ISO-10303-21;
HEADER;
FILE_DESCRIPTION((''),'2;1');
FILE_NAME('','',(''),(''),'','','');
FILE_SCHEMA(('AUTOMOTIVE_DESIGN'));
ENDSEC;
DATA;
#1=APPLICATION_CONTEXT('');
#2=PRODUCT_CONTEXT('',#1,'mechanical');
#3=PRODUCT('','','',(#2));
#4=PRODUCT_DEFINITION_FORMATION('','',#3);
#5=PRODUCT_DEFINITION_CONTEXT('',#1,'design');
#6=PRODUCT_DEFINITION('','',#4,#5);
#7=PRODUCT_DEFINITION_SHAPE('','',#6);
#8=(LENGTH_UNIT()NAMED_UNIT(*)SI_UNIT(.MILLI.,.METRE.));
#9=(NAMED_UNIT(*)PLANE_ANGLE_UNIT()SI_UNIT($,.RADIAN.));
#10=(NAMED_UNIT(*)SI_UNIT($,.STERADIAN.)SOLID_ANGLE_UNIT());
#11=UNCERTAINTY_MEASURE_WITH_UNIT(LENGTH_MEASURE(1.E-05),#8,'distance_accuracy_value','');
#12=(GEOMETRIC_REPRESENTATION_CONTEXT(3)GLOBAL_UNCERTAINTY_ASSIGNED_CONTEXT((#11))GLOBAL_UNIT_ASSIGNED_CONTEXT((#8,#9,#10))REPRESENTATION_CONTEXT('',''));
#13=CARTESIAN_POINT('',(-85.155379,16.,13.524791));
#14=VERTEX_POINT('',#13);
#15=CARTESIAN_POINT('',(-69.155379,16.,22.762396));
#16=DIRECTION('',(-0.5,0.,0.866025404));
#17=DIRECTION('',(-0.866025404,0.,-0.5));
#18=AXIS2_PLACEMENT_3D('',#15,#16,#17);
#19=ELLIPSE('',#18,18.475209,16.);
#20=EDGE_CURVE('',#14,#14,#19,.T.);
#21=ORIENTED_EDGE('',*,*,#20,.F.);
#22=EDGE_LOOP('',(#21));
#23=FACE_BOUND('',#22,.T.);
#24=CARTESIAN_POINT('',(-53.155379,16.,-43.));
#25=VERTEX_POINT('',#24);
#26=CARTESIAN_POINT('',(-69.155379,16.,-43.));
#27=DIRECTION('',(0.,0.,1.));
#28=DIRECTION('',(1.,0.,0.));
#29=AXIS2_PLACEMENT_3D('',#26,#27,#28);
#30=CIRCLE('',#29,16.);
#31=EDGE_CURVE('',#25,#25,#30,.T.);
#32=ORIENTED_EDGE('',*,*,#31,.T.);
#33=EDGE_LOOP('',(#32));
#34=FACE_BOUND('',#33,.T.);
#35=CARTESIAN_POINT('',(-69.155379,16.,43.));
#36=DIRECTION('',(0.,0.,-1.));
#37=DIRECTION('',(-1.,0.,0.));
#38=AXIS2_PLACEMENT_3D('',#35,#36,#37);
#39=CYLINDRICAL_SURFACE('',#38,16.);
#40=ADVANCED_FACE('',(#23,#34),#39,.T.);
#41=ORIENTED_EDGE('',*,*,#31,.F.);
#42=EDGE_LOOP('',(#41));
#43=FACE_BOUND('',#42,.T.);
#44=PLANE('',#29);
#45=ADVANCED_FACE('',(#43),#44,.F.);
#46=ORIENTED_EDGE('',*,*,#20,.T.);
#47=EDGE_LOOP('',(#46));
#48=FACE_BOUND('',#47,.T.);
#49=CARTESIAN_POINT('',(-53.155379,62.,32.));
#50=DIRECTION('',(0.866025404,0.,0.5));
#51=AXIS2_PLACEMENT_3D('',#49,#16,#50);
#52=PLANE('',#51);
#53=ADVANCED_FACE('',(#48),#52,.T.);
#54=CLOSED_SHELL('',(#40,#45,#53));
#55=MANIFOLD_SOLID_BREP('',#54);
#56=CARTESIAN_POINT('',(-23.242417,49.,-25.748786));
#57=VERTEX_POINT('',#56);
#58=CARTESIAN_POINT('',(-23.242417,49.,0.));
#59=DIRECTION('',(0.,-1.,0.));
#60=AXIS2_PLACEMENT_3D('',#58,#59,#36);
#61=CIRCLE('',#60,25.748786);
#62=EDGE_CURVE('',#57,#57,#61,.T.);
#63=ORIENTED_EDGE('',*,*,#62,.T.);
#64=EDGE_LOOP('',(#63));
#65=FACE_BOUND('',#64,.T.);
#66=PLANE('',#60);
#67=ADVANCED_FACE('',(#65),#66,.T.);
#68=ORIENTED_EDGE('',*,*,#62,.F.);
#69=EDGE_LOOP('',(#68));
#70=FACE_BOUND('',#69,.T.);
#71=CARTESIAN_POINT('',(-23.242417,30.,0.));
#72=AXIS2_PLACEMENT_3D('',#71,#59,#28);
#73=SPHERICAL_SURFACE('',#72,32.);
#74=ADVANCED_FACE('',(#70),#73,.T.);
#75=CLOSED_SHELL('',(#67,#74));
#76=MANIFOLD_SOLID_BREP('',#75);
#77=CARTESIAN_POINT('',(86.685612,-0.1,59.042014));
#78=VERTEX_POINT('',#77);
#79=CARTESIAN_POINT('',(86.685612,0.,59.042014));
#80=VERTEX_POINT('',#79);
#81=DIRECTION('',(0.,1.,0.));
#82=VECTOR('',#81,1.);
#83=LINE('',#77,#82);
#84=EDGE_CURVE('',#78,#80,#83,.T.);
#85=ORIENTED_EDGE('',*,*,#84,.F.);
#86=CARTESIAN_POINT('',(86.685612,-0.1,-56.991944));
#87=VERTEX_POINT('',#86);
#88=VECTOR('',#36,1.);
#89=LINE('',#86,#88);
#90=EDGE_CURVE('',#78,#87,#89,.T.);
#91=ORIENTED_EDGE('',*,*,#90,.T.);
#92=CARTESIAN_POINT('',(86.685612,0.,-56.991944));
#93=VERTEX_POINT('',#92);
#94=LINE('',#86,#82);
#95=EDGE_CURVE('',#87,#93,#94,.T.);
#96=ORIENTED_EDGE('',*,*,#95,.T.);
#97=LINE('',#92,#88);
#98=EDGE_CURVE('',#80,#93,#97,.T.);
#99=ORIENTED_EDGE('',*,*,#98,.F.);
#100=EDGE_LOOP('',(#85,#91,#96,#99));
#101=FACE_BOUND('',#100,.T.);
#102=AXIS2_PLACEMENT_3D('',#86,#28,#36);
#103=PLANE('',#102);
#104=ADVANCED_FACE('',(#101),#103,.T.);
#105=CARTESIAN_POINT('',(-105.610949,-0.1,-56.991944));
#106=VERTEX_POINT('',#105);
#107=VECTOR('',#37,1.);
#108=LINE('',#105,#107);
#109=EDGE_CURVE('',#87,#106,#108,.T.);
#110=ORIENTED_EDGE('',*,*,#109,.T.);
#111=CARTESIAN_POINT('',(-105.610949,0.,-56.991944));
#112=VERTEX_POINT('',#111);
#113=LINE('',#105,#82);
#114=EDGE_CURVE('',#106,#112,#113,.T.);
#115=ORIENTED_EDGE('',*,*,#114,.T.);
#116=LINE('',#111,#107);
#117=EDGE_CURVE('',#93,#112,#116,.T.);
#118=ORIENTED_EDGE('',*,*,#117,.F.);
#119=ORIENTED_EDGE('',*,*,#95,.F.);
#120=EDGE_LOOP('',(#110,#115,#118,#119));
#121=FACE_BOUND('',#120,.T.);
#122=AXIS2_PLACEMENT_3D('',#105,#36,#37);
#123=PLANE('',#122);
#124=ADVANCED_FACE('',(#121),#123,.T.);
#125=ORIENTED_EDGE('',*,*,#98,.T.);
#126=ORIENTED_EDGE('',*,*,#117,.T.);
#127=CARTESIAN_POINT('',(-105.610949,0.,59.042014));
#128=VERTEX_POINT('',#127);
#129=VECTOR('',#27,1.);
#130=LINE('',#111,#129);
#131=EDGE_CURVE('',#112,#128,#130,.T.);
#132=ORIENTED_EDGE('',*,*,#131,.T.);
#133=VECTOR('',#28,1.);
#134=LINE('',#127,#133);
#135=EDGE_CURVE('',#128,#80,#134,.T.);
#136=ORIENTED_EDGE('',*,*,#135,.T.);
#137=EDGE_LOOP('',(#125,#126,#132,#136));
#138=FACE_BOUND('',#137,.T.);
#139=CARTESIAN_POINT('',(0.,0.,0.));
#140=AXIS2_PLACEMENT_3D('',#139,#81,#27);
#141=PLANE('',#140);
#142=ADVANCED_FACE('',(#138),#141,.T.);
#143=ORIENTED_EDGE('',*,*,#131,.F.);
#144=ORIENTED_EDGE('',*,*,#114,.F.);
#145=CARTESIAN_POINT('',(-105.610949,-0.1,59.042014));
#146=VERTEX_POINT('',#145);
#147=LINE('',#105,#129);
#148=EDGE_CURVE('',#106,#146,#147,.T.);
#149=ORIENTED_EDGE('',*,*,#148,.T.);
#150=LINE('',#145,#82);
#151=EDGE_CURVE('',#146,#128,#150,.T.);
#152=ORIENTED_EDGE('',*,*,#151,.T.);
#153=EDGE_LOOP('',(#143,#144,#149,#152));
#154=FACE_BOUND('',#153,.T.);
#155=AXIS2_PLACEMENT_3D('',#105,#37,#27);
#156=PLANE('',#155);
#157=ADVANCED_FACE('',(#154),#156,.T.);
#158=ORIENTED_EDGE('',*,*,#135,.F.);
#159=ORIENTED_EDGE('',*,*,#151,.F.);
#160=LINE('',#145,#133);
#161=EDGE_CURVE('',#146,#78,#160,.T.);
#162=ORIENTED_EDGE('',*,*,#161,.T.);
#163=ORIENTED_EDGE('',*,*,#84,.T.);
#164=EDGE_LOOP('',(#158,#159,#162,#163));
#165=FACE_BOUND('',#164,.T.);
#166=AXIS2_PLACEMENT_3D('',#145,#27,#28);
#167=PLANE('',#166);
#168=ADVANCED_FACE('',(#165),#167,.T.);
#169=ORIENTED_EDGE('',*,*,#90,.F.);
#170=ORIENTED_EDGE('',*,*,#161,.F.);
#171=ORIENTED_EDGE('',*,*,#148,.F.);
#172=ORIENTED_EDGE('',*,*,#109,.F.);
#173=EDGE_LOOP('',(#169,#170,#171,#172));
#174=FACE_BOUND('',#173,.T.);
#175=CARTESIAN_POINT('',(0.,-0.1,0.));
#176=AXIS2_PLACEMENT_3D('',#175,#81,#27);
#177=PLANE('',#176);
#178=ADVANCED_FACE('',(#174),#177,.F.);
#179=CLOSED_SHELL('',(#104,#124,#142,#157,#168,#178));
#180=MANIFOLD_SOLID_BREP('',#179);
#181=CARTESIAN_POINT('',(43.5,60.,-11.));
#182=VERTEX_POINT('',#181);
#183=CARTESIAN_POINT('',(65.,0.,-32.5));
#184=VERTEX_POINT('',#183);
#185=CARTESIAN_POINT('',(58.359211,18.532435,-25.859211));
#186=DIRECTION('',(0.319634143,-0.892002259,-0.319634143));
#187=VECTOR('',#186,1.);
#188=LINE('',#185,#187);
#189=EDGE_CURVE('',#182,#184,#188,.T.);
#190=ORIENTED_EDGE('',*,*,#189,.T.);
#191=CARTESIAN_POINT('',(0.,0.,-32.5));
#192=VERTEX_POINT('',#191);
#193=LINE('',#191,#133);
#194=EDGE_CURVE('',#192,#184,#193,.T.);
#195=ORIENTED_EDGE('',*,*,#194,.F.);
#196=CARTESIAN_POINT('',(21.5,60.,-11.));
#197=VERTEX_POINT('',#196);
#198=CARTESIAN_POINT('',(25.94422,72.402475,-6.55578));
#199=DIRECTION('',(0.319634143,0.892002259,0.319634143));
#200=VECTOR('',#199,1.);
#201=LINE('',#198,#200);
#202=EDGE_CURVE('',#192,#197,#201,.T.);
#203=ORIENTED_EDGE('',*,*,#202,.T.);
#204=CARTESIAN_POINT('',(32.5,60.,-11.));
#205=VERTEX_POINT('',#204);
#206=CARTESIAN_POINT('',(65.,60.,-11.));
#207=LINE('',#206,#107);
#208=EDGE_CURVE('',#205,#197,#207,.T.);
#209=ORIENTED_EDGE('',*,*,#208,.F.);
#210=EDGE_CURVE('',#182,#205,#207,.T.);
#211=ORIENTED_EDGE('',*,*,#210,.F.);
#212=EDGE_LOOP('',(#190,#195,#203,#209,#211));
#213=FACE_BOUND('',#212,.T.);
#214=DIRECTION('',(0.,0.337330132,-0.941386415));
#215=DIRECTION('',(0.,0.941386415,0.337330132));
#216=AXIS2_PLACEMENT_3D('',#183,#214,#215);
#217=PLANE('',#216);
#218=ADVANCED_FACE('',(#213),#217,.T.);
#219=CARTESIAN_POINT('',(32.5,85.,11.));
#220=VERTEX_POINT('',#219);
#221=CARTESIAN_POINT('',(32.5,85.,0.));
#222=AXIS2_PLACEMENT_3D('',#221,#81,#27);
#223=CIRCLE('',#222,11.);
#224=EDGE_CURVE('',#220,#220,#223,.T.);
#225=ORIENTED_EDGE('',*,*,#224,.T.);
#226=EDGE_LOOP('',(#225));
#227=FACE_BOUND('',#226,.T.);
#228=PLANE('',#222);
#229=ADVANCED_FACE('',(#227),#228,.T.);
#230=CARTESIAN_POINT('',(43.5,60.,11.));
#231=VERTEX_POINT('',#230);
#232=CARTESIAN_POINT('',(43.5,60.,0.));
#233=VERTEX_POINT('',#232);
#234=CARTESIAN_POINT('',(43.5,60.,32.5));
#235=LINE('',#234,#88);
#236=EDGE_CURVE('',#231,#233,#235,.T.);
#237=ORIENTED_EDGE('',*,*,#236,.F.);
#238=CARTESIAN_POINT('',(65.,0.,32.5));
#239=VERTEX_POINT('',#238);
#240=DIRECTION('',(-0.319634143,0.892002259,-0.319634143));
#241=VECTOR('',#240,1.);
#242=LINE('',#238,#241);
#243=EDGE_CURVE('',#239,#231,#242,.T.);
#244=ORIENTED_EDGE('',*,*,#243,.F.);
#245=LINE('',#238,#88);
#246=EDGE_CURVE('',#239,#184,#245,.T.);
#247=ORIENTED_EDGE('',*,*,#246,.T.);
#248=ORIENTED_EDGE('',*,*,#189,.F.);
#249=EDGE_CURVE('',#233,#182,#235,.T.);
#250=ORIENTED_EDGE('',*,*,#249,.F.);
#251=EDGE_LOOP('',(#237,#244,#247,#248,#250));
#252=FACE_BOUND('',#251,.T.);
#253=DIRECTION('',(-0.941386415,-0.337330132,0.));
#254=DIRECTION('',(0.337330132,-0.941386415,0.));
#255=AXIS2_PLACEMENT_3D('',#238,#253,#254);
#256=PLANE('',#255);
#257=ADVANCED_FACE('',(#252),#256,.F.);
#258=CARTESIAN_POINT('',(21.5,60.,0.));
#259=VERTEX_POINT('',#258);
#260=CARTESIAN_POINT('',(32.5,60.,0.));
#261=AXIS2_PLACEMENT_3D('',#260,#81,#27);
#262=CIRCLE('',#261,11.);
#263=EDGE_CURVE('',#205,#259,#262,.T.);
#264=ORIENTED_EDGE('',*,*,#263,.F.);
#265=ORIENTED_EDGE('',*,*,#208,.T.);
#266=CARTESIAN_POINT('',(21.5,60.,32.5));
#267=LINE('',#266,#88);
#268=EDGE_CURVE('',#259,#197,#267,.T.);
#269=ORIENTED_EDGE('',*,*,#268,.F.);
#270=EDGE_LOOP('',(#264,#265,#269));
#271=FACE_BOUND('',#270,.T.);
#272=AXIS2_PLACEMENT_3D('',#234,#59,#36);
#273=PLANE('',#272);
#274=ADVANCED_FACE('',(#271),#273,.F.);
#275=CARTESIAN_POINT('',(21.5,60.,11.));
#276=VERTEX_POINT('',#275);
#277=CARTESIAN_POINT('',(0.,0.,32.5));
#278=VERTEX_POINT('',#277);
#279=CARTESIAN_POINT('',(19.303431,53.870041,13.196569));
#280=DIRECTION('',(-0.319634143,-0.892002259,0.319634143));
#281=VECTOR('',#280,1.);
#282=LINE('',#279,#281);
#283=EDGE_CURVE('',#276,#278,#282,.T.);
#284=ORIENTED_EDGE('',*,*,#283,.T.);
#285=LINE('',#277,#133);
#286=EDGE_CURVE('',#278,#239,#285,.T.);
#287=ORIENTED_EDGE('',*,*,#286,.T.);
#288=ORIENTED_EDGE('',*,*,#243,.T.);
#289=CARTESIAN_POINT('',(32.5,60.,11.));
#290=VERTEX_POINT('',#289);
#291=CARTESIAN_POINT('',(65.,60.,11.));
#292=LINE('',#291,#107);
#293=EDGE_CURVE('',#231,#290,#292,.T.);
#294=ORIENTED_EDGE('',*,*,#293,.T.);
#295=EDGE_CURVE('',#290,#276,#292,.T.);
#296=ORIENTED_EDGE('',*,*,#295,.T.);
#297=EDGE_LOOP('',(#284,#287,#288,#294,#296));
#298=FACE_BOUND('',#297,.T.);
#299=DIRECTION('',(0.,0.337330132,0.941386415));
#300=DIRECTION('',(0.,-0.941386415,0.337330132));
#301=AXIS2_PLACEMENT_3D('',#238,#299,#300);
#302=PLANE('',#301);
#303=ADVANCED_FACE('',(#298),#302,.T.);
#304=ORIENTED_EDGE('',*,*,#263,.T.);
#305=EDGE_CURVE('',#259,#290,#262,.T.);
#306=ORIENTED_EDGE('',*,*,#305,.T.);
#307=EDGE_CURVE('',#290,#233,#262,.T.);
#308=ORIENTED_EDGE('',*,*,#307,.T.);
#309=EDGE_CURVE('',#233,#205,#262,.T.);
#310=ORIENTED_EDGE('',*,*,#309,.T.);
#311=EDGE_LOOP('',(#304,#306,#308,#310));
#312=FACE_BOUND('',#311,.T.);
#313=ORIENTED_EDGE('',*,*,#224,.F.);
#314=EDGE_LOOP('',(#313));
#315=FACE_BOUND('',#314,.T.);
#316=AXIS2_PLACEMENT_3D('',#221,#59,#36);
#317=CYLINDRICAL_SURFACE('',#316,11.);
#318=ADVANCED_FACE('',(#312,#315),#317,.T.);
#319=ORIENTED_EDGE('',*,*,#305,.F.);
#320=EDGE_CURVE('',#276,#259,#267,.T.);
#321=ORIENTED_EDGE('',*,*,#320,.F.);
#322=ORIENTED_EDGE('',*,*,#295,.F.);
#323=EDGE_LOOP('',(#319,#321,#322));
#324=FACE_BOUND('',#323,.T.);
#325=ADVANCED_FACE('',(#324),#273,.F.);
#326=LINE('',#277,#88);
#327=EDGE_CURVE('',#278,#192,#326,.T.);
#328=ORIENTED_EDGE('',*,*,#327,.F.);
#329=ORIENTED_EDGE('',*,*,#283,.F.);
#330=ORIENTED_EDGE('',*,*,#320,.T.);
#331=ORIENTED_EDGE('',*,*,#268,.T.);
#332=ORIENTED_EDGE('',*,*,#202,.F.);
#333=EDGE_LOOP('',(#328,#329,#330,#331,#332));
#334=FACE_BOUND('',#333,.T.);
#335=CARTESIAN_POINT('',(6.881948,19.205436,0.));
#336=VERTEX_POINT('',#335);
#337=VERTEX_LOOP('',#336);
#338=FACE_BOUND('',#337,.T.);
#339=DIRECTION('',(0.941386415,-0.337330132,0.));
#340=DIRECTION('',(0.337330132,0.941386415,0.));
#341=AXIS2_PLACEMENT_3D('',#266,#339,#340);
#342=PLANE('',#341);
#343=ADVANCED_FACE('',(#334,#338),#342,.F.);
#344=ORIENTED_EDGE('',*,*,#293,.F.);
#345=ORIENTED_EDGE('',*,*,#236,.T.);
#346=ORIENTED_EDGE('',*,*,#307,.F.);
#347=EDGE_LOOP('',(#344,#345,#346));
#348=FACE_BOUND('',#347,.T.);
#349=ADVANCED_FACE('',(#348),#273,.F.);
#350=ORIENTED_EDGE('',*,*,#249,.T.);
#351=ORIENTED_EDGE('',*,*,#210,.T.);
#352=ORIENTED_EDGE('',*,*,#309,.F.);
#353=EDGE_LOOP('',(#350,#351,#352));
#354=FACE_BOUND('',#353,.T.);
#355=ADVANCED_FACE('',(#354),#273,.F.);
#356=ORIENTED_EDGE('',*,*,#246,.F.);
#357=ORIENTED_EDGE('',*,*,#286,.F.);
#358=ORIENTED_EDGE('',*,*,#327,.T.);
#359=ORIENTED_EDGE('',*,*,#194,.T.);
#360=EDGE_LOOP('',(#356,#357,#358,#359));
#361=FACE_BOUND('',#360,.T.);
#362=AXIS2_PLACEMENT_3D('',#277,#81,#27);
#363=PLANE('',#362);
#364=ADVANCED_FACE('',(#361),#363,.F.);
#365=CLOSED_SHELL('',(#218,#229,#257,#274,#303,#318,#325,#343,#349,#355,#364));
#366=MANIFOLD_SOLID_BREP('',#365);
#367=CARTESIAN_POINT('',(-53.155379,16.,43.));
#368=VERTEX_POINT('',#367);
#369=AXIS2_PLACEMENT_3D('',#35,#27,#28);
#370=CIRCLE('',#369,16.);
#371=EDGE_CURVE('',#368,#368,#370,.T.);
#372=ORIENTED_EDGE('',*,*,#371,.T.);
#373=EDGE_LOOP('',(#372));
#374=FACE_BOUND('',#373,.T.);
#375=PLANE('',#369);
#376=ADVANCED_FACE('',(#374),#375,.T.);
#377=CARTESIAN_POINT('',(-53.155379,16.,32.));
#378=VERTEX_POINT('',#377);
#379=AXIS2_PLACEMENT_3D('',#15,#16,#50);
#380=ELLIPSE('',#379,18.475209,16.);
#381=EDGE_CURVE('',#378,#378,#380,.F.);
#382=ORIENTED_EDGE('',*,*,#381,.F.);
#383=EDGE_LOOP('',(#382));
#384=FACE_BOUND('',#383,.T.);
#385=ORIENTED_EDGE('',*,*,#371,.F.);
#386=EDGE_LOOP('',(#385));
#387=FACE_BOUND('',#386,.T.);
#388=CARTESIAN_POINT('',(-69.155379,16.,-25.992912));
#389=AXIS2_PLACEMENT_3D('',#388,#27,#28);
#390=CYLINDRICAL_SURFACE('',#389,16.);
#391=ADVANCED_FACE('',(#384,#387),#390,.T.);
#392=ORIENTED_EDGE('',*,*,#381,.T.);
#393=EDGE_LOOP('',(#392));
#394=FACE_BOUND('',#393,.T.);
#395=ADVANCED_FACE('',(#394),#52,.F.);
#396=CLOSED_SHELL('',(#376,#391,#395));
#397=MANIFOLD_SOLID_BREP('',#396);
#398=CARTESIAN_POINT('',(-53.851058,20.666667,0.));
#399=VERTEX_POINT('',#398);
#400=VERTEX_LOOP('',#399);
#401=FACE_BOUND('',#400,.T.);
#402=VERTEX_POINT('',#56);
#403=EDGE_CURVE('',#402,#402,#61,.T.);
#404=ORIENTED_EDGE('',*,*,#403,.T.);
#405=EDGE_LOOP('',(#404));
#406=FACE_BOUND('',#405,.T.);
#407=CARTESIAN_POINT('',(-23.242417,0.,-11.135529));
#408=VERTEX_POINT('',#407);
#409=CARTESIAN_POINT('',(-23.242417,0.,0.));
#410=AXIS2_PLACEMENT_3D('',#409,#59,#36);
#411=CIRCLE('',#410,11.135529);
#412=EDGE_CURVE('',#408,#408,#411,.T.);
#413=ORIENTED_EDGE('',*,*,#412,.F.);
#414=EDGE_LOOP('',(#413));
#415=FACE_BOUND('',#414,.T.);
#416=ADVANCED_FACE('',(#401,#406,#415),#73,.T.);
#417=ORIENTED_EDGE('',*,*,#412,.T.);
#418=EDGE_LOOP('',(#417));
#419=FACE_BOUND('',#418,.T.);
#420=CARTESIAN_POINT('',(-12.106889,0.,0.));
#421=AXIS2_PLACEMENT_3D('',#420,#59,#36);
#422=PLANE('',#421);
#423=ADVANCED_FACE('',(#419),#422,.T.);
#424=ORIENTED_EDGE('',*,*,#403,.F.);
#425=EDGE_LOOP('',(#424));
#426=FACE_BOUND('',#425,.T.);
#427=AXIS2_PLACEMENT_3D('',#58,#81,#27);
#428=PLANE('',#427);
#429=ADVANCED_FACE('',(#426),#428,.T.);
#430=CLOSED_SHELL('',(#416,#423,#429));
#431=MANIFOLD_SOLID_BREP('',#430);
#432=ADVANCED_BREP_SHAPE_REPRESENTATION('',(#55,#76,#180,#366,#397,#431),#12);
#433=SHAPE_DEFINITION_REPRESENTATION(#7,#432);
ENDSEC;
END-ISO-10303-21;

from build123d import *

# Parameters (mm, degrees)
BOSS_EXTRUDE1_DEPTH = 32.5
CUT_EXTRUDE1_DEPTH  = 95.240384125
SKETCH5_R           = 16
BOSS_EXTRUDE2_DEPTH = 43
CUT_EXTRUDE2_DEPTH  = 114.773628326
BOSS_EXTRUDE3_REACH = 137.983
SKETCH7_R           = 16
SKETCH8_R           = 11
BOSS_EXTRUDE4_DEPTH = 25
SKETCH9_W           = 192.296560702
SKETCH9_H           = 116.033958803
BOSS_EXTRUDE5_DEPTH = 0.1


with BuildPart() as part:
    # Sketch1 → Boss-Extrude1 (new, symmetric)
    with BuildSketch(Plane.XY):
        Polygon((0, 0), (65, 0), (43.5, 60), (21.5, 60), align=None)
    extrude(amount=BOSS_EXTRUDE1_DEPTH, both=True)

    # Sketch2 → Cut-Extrude1 (cut, through all)
    with BuildSketch(Plane(origin=(0, 0, 0), x_dir=(0, 0, -1), z_dir=(1, 0, 0))):
        Polygon((11, 60), (32.5, 60), (32.5, 0), align=None)
        Polygon((-32.5, 0), (-11, 60), (-32.5, 60), align=None)
    extrude(amount=CUT_EXTRUDE1_DEPTH, mode=Mode.SUBTRACT)

    # Sketch8 → Boss-Extrude4 (add)
    with BuildSketch(Plane(origin=(0, 60, 0), x_dir=(1, 0, 0), z_dir=(0, 1, 0))):
        with Locations(Location((32.5, 0, 0), (0, 0, 270))):
            Circle(SKETCH8_R)
    extrude(amount=BOSS_EXTRUDE4_DEPTH)


with BuildPart() as body_2:
    # Sketch3 → Revolve1 (revolve)
    with BuildSketch(Plane.XY):
        with BuildLine():
            Line((-12.106888729, 0), (-23.242417455, 0))
            Line((-23.242417455, 0), (-23.242417455, 49))
            Line((-23.242417455, 49), (2.506368924, 49))
            ThreePointArc((2.506368924, 49), (7.422924141, 20.854682903), (-12.106888729, 0))
        make_face()
    revolve(axis=Axis((-23.242417455, 0, 0), (0, 1, 0)))


with BuildPart() as body_3:
    # Sketch4 → Revolve2 (revolve)
    with BuildSketch(Plane.XY):
        with BuildLine():
            Line((-23.242417455, 49), (2.506368924, 49))
            ThreePointArc((2.506368924, 49), (-8.820212353, 58.565713714), (-23.242417455, 62))
            Line((-23.242417455, 62), (-23.242417455, 49))
        make_face()
    revolve(axis=Axis((-23.242417455, 49, 0), (0, 1, 0)))


with BuildPart() as body_4:
    # Sketch5 → Boss-Extrude2 (new, symmetric)
    with BuildSketch(Plane.XY):
        with Locations((-69.155378588, 16)):
            Circle(SKETCH5_R)
    extrude(amount=BOSS_EXTRUDE2_DEPTH, both=True)

    # Sketch6 → Cut-Extrude2 (cut, through all)
    with BuildSketch(Plane(origin=(0, 0, 0), x_dir=(1, 0, 0), z_dir=(0, 1, 0))):
        Polygon((-53.155378588, -32), (-93.662728042, -8.613070889), (-93.662728042, -63.183775795), (-40.15438586, -61.061315458), align=None)
    extrude(amount=CUT_EXTRUDE2_DEPTH, mode=Mode.SUBTRACT)


with BuildPart() as body_5:
    # Boss-Extrude3: up to this plane
    boss_extrude3_end = Plane(origin=(-53.155378588, 62, 32), z_dir=(-0.4999999999999979, 0, 0.8660254037844399))
    # Sketch7 → Boss-Extrude3 (new, up to the surface)
    with BuildSketch(Plane.XY.offset(43), mode=Mode.PRIVATE) as boss_extrude3_sk1:
        with Locations((-69.155378588, 16)):
            Circle(SKETCH7_R)
    boss_extrude3_tool1 = split(extrude(boss_extrude3_sk1.sketch, amount=-BOSS_EXTRUDE3_REACH, mode=Mode.PRIVATE), bisect_by=boss_extrude3_end, keep=Keep.BOTH, mode=Mode.PRIVATE)
    add(boss_extrude3_tool1.solids().sort_by_distance((-69.155379, 16, 43))[0])


with BuildPart() as body_6:
    # Sketch9 → Boss-Extrude5 (new body)
    with BuildSketch(Plane(origin=(0, 0, 0), x_dir=(1, 0, 0), z_dir=(0, 1, 0))):
        with Locations((-9.462668311, -1.025034971)):
            Rectangle(SKETCH9_W, SKETCH9_H)
    extrude(amount=-BOSS_EXTRUDE5_DEPTH)


solid = Compound([part.part, body_2.part, body_3.part, body_4.part, body_5.part, body_6.part])
